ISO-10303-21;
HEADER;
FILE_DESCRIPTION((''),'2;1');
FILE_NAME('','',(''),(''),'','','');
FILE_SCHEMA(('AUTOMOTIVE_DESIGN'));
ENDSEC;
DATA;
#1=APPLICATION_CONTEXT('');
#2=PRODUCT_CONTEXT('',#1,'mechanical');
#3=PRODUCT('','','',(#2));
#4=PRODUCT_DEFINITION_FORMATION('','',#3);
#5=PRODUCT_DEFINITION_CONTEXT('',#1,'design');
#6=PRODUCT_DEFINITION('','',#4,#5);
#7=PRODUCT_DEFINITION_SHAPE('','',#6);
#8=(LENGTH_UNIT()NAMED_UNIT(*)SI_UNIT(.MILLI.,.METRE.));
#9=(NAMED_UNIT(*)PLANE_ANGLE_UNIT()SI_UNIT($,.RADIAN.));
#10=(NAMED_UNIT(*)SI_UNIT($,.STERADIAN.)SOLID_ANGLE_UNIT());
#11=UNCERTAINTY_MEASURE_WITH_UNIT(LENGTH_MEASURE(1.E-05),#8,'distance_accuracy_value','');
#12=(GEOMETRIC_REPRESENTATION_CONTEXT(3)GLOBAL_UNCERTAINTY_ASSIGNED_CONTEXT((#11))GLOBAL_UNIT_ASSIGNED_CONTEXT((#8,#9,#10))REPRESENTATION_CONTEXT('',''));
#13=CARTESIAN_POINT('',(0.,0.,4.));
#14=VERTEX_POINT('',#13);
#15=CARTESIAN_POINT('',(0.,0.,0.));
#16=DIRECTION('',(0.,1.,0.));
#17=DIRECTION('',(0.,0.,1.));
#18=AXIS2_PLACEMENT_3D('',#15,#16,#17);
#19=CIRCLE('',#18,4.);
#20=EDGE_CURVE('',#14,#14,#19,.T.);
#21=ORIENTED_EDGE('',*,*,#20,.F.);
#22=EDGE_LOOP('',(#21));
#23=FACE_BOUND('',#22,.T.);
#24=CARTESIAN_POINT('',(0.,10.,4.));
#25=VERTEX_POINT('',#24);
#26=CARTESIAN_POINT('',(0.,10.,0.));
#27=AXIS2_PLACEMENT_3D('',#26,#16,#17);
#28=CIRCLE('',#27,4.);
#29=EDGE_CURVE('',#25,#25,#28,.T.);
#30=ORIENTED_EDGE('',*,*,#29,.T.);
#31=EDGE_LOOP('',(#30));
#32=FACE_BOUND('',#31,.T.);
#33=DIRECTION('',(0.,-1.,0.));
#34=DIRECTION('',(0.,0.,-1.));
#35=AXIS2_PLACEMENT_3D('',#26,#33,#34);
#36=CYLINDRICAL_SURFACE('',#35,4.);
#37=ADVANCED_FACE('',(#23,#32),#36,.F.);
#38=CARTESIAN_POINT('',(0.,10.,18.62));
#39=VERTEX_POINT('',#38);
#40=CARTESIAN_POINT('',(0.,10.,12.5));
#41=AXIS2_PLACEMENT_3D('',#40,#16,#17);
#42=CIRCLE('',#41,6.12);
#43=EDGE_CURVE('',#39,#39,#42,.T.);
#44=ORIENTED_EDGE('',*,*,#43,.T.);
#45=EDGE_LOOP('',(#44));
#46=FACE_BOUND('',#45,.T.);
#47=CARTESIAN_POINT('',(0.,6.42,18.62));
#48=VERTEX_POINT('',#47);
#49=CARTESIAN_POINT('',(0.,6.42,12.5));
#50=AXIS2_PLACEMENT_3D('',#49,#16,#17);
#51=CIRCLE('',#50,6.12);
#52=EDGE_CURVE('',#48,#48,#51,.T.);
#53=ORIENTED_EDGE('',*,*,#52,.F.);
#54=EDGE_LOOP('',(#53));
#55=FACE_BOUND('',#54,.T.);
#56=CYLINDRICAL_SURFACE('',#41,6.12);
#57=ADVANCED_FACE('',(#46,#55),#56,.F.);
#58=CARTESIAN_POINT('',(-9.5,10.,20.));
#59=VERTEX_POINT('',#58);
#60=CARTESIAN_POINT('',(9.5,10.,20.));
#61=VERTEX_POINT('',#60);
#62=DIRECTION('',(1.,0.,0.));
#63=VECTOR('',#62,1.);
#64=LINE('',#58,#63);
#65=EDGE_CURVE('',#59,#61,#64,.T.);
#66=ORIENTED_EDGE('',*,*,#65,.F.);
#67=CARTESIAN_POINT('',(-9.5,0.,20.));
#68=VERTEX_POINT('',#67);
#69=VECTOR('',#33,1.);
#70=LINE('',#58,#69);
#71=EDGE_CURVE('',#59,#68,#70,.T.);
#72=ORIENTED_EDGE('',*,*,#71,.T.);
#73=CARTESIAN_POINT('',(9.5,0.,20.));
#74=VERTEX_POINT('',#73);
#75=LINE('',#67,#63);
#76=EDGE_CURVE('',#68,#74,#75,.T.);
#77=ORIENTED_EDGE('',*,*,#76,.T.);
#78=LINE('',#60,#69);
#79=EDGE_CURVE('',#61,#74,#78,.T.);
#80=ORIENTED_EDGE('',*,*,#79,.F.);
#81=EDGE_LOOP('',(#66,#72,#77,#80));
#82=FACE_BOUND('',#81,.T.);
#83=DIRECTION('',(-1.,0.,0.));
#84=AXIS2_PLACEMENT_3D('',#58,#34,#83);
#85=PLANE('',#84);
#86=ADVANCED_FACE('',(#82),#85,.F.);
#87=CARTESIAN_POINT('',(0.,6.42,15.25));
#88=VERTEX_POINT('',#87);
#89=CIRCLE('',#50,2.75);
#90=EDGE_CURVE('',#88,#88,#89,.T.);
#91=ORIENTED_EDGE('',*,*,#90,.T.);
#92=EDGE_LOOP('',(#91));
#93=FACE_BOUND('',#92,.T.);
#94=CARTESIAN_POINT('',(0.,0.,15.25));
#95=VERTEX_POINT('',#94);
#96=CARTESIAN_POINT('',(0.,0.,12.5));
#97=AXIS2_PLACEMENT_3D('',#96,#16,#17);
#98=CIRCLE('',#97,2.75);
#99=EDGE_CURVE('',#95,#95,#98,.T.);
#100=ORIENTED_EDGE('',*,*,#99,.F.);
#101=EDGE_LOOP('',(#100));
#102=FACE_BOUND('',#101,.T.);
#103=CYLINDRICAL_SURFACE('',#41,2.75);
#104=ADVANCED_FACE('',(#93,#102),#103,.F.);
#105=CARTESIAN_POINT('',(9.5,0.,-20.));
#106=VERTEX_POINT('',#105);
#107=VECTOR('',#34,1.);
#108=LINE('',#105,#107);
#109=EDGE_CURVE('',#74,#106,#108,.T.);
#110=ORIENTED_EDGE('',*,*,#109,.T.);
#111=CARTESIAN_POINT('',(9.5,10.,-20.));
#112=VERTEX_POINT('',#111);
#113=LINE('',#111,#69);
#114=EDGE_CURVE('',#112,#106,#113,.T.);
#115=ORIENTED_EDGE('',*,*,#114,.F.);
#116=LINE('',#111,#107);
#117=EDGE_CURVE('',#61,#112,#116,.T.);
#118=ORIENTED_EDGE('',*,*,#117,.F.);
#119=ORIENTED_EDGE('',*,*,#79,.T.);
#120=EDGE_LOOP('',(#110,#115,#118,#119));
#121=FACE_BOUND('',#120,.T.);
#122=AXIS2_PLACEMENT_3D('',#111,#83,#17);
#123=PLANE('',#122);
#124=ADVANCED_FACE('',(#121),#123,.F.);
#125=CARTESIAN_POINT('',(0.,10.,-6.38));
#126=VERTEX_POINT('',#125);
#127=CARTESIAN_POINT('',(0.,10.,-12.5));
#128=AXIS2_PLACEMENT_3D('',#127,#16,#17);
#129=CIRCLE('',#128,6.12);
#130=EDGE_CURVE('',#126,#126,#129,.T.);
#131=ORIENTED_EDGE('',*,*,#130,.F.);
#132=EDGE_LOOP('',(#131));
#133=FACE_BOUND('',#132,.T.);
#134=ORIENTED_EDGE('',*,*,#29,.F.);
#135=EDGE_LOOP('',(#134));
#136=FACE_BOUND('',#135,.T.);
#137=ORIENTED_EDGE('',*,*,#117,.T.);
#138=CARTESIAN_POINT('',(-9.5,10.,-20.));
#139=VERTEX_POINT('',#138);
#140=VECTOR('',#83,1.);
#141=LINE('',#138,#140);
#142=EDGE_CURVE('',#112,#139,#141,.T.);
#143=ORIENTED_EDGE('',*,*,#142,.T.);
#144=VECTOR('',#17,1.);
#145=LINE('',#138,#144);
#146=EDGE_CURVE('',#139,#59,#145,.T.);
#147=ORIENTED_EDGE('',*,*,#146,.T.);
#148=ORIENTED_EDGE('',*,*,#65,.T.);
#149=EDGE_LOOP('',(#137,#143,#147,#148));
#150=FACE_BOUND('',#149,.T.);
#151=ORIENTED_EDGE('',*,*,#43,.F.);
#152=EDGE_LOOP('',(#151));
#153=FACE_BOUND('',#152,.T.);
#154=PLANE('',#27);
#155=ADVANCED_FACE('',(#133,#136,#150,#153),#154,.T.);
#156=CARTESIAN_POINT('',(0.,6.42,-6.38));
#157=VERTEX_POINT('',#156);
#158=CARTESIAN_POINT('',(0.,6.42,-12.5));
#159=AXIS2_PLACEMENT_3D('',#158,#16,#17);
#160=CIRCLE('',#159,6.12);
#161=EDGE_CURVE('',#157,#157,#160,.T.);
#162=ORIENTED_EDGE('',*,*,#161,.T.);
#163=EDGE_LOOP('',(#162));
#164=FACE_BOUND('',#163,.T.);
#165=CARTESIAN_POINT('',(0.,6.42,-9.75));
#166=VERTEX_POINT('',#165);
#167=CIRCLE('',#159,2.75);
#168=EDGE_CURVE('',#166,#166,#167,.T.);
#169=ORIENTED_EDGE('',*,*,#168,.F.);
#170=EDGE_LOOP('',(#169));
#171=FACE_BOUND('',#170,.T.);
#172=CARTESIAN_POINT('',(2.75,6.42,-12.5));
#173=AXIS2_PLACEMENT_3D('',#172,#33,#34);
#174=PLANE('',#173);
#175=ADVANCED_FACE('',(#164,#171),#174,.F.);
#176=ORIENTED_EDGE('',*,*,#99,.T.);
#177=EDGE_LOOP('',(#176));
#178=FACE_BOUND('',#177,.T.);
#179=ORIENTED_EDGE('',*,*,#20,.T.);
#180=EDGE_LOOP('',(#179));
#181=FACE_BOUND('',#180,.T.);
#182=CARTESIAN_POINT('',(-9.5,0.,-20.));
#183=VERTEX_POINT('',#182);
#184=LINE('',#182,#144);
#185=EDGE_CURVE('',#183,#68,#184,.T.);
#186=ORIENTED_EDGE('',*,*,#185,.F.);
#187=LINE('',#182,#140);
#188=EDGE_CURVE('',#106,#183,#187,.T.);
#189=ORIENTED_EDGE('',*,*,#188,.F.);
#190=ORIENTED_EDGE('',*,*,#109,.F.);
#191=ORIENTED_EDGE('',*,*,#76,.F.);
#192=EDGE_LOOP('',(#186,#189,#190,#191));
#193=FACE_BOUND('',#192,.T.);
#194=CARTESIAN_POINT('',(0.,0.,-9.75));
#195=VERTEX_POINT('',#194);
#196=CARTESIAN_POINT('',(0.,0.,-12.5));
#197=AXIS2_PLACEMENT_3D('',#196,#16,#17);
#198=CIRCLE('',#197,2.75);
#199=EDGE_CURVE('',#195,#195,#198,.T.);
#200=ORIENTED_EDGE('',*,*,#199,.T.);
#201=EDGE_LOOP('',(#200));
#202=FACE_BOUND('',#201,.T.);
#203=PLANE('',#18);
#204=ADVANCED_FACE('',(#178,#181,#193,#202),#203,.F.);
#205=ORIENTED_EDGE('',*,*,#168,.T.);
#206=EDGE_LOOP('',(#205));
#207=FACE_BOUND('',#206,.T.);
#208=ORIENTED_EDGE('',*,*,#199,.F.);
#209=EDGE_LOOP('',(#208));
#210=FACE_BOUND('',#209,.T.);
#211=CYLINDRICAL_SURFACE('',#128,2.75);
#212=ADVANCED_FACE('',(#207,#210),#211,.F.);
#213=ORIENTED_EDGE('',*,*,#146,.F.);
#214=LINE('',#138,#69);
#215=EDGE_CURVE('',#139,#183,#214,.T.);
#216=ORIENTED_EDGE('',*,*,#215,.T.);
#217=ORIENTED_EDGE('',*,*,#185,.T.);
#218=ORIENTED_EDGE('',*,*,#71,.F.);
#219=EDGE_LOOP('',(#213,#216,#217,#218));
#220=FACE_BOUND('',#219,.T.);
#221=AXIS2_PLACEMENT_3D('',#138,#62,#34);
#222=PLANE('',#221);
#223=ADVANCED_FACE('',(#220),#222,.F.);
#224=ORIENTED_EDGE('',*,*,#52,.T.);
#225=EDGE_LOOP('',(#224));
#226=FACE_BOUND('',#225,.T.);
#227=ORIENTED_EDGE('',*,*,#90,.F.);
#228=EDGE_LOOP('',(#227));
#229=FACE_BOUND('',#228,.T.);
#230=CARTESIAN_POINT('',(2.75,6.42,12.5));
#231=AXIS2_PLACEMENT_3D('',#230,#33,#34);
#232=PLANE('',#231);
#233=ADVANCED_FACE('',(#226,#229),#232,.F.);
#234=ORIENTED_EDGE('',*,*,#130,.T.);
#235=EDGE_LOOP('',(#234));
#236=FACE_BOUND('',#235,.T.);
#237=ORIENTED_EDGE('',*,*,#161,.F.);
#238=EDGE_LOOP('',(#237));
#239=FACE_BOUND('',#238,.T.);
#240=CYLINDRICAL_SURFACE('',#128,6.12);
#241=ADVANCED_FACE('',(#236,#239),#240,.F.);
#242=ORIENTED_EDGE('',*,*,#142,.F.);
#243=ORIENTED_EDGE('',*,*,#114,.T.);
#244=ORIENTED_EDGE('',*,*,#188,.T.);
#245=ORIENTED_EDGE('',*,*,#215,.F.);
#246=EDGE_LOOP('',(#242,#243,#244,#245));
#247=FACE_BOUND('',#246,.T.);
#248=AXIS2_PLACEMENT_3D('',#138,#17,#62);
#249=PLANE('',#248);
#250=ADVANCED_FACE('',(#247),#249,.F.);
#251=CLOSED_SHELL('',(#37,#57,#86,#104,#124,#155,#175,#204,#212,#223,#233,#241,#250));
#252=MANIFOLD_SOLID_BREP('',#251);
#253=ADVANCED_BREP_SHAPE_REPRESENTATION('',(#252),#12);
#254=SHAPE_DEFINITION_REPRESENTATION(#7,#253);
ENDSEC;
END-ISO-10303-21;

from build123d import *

# Parameters (mm, degrees)
SKETCH1_W                               = 19
SKETCH1_H                               = 40
SKETCH1_R                               = 4
BOSS_EXTRUDE1_DEPTH                     = 10
CBORE_FOR_M5_HEX_HEAD_BOLT1_D           = 5.5
CBORE_FOR_M5_HEX_HEAD_BOLT1_DEPTH       = 10
CBORE_FOR_M5_HEX_HEAD_BOLT1_CBORE_D     = 12.24
CBORE_FOR_M5_HEX_HEAD_BOLT1_CBORE_DEPTH = 3.58


with BuildPart() as part:
    # Sketch1 → Boss-Extrude1 (new body)
    with BuildSketch(Plane(origin=(0, 0, 0), x_dir=(1, 0, 0), z_dir=(0, 1, 0))):
        Rectangle(SKETCH1_W, SKETCH1_H)
        Circle(SKETCH1_R, mode=Mode.SUBTRACT)
    extrude(amount=BOSS_EXTRUDE1_DEPTH)

    # CBORE for M5 Hex Head Bolt1
    with Locations(Plane(origin=(0, 10, 0), x_dir=(1, 0, 0), z_dir=(0, 1, 0))):
        with Locations((0, 12.5), (0, -12.5)):
            CounterBoreHole(CBORE_FOR_M5_HEX_HEAD_BOLT1_D / 2, CBORE_FOR_M5_HEX_HEAD_BOLT1_CBORE_D / 2, CBORE_FOR_M5_HEX_HEAD_BOLT1_CBORE_DEPTH, depth=CBORE_FOR_M5_HEX_HEAD_BOLT1_DEPTH)


solid = part.part
